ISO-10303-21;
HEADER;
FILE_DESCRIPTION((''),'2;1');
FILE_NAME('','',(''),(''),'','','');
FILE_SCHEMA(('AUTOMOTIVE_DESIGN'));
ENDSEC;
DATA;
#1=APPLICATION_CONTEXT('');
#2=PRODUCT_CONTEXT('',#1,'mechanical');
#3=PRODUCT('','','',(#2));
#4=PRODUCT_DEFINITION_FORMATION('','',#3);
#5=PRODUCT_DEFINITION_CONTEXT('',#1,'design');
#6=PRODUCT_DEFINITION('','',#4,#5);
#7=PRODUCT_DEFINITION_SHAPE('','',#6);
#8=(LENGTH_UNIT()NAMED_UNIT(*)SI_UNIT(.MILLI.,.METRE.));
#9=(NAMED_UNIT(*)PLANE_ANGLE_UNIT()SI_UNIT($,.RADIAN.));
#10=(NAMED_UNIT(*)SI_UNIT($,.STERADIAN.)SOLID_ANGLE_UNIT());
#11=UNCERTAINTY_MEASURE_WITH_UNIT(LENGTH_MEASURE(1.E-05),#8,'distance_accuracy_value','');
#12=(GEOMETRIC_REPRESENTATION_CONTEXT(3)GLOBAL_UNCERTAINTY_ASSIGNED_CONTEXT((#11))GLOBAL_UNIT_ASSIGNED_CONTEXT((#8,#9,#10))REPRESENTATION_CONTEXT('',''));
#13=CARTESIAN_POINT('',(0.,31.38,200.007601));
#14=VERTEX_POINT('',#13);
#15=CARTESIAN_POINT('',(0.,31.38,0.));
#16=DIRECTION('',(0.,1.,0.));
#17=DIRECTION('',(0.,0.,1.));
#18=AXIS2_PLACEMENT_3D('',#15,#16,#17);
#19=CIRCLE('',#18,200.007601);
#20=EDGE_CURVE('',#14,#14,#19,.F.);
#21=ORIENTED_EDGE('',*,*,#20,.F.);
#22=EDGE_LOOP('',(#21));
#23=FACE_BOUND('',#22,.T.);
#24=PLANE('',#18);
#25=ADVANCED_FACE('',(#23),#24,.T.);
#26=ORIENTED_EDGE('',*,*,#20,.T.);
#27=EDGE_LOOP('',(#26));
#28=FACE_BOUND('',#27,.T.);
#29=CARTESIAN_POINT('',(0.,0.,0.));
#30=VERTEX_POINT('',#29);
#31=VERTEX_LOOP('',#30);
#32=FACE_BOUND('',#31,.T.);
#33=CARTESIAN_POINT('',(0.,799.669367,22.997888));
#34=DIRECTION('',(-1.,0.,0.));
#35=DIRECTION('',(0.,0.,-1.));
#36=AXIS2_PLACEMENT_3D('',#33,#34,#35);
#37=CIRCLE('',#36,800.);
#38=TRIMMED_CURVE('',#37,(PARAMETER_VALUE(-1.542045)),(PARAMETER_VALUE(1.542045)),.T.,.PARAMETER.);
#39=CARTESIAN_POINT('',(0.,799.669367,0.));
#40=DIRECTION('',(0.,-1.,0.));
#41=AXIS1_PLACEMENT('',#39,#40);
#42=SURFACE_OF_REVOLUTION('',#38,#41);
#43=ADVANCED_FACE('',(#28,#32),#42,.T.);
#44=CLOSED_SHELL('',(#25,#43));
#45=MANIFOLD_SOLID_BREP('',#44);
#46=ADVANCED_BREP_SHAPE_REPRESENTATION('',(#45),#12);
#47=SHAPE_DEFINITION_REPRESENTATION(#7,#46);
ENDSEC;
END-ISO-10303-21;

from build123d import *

# Parameters (mm, degrees)
SKETCH2_R          = 672.124238336
CUT_EXTRUDE1_DEPTH = 910.29066002


with BuildPart() as part:
    # Sketch1 → Revolve1 (revolve)
    with BuildSketch(Plane.XY, mode=Mode.PRIVATE) as revolve1_sk:
        with BuildLine():
            Line((0, 170), (0, 770))
            Line((0, 770), (375, 770))
            Line((375, 770), (375, 170))
            ThreePointArc((375, 170), (355.761111541, 108.967221921), (305, 70))
            ThreePointArc((305, 70), (155.956040974, 19.941535756), (0, 0))
            Line((0, 0), (0, 170))
        make_face()
    revolve(revolve1_sk.sketch.rotate(Axis((0, 170, 0), (0, 1, 0)), 90), axis=Axis((0, 170, 0), (0, 1, 0)))

    # Sketch2 → Cut-Extrude1 (cut, through all)
    with BuildSketch(Plane(origin=(0, 31.38, 0), x_dir=(1, 0, 0), z_dir=(0, 1, 0))):
        Circle(SKETCH2_R)
    extrude(amount=CUT_EXTRUDE1_DEPTH, mode=Mode.SUBTRACT)


solid = part.part
